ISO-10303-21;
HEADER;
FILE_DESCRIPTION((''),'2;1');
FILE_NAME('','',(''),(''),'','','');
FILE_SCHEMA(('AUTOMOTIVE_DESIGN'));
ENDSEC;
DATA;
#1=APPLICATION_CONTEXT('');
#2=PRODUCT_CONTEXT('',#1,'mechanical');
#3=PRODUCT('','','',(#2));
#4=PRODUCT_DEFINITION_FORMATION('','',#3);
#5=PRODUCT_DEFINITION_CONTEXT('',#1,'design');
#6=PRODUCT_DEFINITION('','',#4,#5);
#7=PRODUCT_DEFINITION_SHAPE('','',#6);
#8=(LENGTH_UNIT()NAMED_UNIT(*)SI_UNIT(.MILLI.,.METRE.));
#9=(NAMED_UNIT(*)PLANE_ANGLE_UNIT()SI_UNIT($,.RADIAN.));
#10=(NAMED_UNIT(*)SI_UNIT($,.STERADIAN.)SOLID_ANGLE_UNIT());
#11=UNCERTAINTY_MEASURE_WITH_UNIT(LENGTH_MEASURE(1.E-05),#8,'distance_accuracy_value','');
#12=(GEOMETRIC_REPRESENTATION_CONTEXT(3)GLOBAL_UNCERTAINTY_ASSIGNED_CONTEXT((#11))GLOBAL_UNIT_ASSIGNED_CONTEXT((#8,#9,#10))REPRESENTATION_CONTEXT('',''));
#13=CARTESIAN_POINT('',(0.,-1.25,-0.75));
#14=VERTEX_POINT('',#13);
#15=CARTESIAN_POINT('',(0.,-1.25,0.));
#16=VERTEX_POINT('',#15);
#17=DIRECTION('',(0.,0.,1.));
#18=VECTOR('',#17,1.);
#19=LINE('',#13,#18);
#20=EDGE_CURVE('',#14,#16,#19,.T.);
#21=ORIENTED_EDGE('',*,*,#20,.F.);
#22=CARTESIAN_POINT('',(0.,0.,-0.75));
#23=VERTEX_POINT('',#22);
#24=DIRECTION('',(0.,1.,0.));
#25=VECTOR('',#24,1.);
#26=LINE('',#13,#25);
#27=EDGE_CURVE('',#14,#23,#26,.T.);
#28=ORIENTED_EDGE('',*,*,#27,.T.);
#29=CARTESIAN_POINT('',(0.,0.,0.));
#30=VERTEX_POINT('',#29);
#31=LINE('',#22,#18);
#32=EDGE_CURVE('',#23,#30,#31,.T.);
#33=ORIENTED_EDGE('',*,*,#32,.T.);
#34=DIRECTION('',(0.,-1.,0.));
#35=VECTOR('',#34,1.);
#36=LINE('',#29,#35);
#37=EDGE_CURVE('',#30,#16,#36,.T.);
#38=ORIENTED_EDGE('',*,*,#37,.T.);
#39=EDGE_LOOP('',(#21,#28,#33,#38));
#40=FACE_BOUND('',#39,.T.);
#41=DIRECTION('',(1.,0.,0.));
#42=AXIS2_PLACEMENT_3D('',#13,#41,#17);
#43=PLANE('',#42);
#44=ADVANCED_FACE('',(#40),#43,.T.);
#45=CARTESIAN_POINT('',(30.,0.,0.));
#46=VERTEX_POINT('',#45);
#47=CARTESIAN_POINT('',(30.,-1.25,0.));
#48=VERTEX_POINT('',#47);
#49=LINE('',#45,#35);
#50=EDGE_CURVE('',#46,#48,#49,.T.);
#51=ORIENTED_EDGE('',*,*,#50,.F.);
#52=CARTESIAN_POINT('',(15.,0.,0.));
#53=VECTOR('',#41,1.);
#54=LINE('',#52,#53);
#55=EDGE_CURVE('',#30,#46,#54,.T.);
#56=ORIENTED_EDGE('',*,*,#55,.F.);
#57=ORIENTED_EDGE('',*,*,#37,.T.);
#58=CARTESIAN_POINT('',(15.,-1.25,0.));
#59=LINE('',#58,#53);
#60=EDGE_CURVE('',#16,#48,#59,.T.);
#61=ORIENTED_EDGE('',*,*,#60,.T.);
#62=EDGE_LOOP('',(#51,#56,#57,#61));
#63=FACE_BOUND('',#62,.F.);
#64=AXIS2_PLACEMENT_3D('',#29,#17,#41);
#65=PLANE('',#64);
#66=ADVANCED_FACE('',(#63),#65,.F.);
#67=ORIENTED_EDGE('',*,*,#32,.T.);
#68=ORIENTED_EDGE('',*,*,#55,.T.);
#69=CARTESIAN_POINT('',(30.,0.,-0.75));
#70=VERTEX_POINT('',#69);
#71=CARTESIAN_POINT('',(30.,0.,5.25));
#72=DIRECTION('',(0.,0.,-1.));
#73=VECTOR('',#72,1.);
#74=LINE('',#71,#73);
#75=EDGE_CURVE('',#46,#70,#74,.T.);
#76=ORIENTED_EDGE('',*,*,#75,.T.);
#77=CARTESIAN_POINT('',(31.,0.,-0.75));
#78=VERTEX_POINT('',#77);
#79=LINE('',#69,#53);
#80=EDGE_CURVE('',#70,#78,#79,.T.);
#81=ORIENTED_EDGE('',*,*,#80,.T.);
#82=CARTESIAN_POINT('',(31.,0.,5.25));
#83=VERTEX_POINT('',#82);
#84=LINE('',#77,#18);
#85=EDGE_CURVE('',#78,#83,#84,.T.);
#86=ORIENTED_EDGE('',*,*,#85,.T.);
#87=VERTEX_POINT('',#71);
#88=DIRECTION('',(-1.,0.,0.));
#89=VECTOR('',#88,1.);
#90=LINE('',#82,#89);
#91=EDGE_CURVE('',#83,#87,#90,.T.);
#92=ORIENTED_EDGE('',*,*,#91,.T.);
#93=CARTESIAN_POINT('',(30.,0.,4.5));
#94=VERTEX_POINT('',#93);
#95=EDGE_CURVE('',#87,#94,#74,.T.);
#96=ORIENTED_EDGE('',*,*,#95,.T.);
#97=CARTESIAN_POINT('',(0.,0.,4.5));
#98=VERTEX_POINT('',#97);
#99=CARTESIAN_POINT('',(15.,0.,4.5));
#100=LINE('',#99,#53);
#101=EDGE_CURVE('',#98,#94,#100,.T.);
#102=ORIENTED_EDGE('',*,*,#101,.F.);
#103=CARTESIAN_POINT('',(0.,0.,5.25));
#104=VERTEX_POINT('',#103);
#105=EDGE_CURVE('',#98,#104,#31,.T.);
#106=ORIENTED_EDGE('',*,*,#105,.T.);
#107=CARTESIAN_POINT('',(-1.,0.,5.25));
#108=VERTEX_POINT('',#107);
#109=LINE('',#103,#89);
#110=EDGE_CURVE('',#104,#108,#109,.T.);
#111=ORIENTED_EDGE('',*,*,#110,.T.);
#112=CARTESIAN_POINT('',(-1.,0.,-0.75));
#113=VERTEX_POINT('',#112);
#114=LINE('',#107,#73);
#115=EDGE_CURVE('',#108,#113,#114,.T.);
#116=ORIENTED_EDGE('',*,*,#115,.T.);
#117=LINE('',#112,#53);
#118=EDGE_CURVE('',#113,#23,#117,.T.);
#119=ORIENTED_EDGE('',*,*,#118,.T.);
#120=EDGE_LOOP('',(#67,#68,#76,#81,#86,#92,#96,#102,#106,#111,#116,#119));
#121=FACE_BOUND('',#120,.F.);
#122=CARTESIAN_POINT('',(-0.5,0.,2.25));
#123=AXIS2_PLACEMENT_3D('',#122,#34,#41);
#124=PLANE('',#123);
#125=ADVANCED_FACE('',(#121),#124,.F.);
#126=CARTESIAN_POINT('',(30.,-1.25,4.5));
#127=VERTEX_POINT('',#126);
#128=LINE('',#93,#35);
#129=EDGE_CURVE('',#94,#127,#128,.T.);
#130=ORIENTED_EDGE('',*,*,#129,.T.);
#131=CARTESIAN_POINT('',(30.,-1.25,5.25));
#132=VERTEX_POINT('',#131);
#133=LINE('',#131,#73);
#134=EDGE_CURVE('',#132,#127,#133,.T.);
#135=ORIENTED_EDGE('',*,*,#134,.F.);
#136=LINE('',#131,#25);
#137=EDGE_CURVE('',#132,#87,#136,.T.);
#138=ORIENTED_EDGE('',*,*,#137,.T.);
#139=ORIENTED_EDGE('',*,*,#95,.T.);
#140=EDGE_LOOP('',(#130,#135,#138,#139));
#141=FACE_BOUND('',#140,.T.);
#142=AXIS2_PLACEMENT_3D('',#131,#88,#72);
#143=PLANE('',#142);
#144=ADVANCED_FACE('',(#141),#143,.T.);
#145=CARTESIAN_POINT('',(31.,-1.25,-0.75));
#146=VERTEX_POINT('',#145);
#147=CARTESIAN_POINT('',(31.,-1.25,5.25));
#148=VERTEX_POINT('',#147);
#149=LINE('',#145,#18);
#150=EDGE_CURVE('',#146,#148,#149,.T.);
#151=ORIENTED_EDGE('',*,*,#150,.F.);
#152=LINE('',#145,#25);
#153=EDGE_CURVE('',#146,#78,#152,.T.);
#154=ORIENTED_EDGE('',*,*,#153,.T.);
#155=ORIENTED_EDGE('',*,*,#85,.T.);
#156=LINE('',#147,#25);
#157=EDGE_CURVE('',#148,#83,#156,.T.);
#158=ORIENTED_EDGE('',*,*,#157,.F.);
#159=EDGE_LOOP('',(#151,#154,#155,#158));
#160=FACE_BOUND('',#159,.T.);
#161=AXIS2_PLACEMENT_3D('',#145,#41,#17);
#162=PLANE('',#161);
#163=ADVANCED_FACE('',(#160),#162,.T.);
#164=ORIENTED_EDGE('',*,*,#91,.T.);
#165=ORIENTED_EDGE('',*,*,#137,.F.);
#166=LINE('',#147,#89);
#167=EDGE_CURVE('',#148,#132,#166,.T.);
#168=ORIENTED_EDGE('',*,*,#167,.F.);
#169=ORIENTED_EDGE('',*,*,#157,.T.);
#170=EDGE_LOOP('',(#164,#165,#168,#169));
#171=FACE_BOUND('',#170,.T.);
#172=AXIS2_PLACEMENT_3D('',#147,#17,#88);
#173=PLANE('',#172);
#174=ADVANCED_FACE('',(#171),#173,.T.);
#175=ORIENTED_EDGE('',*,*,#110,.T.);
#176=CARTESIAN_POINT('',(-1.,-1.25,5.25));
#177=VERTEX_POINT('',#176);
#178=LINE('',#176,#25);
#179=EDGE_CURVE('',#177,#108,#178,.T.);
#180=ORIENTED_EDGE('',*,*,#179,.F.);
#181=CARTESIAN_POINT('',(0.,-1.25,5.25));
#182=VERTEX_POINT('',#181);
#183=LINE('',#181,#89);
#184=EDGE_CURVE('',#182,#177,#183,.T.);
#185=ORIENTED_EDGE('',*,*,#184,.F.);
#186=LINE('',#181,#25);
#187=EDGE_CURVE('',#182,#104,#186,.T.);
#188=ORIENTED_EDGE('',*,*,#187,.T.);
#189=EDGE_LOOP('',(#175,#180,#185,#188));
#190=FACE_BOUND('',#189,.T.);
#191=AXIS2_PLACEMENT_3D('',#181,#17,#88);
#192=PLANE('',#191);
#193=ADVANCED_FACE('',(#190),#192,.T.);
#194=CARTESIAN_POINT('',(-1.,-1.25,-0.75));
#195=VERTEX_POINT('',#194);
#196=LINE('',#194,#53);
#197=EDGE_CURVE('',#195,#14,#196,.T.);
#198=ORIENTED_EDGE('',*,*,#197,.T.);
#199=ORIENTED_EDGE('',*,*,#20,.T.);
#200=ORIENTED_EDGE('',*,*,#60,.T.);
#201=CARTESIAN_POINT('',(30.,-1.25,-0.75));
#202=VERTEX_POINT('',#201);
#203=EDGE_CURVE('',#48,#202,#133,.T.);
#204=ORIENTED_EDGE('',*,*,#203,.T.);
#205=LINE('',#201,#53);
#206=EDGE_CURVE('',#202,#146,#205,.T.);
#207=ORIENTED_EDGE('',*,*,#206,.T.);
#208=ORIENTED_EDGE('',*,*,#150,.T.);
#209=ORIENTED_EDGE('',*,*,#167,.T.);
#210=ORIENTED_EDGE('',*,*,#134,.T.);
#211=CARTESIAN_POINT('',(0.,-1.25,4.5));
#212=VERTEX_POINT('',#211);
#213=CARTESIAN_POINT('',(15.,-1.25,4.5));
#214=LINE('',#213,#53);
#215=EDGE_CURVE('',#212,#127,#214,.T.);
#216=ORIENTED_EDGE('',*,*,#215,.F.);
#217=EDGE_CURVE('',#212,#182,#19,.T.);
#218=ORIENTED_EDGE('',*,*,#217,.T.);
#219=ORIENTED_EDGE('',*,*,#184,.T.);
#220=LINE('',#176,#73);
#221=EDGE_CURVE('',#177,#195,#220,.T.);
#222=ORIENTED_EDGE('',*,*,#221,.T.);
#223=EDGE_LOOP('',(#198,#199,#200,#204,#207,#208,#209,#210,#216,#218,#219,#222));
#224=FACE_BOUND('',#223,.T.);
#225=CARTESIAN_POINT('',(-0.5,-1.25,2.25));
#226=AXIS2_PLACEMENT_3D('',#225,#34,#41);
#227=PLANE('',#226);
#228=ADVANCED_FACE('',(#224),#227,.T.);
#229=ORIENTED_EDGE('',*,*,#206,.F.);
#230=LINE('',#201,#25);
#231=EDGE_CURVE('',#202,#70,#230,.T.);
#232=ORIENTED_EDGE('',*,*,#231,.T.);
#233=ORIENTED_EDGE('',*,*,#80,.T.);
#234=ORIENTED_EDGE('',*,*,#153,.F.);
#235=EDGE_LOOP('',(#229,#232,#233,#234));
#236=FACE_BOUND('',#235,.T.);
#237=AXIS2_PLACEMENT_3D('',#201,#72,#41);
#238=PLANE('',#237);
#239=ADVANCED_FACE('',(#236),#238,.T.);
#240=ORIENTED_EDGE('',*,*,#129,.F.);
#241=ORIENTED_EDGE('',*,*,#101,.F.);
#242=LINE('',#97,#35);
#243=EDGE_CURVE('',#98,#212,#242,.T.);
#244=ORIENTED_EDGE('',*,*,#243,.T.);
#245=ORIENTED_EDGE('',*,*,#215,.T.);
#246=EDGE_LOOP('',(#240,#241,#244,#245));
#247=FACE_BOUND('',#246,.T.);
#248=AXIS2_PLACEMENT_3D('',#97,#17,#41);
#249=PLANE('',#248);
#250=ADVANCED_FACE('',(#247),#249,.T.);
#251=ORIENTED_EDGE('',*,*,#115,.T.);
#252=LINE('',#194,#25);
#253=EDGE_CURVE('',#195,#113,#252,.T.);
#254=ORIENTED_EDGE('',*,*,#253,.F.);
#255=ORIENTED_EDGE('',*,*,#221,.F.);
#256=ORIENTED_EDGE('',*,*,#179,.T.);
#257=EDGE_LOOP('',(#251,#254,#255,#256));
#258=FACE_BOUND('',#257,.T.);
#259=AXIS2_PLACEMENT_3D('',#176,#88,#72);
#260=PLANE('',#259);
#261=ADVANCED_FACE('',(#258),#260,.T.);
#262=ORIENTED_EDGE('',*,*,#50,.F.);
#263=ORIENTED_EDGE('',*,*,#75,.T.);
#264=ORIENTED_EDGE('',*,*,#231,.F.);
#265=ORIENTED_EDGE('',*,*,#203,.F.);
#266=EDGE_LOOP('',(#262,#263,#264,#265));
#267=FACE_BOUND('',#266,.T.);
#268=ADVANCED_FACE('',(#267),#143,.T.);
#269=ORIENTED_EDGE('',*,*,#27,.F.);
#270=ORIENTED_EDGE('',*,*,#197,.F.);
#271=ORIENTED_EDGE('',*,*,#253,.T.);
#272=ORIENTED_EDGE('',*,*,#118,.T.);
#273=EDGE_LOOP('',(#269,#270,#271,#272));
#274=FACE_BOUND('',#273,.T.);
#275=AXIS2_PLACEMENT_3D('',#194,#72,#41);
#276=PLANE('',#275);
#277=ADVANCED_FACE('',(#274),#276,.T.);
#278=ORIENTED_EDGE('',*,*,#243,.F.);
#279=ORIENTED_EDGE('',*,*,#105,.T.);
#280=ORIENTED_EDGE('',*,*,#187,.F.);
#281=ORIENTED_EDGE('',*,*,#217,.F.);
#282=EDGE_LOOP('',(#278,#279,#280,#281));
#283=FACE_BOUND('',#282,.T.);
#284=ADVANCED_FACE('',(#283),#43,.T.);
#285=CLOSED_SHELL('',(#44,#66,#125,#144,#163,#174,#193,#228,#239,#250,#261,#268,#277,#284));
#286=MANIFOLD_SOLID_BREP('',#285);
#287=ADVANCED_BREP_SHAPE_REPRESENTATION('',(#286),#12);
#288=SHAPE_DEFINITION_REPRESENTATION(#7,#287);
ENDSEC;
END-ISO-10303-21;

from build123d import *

# Parameters (mm, degrees)
F0_W     = 30
F0_H     = 4.5
F1_DEPTH = 1.25
F3_DEPTH = 1.25


with BuildPart() as f1:
    # F0 (on Front) → F1 (new body)
    with BuildSketch(Plane.XZ):
        with Locations((15, 2.25)):
            Rectangle(F0_W, F0_H)
    extrude(amount=F1_DEPTH)

    # F2 (on face) → F3 (join)
    with BuildSketch(Plane.XZ.offset(1.25)):
        Polygon((0, 0), (0, 4.5), (0, 5.25), (-1, 5.25), (-1, -0.75), (0, -0.75), align=None)
        Polygon((30, 5.25), (30, 4.5), (30, 0), (30, -0.75), (31, -0.75), (31, 5.25), align=None)
    extrude(amount=-F3_DEPTH)


solid = f1.part
